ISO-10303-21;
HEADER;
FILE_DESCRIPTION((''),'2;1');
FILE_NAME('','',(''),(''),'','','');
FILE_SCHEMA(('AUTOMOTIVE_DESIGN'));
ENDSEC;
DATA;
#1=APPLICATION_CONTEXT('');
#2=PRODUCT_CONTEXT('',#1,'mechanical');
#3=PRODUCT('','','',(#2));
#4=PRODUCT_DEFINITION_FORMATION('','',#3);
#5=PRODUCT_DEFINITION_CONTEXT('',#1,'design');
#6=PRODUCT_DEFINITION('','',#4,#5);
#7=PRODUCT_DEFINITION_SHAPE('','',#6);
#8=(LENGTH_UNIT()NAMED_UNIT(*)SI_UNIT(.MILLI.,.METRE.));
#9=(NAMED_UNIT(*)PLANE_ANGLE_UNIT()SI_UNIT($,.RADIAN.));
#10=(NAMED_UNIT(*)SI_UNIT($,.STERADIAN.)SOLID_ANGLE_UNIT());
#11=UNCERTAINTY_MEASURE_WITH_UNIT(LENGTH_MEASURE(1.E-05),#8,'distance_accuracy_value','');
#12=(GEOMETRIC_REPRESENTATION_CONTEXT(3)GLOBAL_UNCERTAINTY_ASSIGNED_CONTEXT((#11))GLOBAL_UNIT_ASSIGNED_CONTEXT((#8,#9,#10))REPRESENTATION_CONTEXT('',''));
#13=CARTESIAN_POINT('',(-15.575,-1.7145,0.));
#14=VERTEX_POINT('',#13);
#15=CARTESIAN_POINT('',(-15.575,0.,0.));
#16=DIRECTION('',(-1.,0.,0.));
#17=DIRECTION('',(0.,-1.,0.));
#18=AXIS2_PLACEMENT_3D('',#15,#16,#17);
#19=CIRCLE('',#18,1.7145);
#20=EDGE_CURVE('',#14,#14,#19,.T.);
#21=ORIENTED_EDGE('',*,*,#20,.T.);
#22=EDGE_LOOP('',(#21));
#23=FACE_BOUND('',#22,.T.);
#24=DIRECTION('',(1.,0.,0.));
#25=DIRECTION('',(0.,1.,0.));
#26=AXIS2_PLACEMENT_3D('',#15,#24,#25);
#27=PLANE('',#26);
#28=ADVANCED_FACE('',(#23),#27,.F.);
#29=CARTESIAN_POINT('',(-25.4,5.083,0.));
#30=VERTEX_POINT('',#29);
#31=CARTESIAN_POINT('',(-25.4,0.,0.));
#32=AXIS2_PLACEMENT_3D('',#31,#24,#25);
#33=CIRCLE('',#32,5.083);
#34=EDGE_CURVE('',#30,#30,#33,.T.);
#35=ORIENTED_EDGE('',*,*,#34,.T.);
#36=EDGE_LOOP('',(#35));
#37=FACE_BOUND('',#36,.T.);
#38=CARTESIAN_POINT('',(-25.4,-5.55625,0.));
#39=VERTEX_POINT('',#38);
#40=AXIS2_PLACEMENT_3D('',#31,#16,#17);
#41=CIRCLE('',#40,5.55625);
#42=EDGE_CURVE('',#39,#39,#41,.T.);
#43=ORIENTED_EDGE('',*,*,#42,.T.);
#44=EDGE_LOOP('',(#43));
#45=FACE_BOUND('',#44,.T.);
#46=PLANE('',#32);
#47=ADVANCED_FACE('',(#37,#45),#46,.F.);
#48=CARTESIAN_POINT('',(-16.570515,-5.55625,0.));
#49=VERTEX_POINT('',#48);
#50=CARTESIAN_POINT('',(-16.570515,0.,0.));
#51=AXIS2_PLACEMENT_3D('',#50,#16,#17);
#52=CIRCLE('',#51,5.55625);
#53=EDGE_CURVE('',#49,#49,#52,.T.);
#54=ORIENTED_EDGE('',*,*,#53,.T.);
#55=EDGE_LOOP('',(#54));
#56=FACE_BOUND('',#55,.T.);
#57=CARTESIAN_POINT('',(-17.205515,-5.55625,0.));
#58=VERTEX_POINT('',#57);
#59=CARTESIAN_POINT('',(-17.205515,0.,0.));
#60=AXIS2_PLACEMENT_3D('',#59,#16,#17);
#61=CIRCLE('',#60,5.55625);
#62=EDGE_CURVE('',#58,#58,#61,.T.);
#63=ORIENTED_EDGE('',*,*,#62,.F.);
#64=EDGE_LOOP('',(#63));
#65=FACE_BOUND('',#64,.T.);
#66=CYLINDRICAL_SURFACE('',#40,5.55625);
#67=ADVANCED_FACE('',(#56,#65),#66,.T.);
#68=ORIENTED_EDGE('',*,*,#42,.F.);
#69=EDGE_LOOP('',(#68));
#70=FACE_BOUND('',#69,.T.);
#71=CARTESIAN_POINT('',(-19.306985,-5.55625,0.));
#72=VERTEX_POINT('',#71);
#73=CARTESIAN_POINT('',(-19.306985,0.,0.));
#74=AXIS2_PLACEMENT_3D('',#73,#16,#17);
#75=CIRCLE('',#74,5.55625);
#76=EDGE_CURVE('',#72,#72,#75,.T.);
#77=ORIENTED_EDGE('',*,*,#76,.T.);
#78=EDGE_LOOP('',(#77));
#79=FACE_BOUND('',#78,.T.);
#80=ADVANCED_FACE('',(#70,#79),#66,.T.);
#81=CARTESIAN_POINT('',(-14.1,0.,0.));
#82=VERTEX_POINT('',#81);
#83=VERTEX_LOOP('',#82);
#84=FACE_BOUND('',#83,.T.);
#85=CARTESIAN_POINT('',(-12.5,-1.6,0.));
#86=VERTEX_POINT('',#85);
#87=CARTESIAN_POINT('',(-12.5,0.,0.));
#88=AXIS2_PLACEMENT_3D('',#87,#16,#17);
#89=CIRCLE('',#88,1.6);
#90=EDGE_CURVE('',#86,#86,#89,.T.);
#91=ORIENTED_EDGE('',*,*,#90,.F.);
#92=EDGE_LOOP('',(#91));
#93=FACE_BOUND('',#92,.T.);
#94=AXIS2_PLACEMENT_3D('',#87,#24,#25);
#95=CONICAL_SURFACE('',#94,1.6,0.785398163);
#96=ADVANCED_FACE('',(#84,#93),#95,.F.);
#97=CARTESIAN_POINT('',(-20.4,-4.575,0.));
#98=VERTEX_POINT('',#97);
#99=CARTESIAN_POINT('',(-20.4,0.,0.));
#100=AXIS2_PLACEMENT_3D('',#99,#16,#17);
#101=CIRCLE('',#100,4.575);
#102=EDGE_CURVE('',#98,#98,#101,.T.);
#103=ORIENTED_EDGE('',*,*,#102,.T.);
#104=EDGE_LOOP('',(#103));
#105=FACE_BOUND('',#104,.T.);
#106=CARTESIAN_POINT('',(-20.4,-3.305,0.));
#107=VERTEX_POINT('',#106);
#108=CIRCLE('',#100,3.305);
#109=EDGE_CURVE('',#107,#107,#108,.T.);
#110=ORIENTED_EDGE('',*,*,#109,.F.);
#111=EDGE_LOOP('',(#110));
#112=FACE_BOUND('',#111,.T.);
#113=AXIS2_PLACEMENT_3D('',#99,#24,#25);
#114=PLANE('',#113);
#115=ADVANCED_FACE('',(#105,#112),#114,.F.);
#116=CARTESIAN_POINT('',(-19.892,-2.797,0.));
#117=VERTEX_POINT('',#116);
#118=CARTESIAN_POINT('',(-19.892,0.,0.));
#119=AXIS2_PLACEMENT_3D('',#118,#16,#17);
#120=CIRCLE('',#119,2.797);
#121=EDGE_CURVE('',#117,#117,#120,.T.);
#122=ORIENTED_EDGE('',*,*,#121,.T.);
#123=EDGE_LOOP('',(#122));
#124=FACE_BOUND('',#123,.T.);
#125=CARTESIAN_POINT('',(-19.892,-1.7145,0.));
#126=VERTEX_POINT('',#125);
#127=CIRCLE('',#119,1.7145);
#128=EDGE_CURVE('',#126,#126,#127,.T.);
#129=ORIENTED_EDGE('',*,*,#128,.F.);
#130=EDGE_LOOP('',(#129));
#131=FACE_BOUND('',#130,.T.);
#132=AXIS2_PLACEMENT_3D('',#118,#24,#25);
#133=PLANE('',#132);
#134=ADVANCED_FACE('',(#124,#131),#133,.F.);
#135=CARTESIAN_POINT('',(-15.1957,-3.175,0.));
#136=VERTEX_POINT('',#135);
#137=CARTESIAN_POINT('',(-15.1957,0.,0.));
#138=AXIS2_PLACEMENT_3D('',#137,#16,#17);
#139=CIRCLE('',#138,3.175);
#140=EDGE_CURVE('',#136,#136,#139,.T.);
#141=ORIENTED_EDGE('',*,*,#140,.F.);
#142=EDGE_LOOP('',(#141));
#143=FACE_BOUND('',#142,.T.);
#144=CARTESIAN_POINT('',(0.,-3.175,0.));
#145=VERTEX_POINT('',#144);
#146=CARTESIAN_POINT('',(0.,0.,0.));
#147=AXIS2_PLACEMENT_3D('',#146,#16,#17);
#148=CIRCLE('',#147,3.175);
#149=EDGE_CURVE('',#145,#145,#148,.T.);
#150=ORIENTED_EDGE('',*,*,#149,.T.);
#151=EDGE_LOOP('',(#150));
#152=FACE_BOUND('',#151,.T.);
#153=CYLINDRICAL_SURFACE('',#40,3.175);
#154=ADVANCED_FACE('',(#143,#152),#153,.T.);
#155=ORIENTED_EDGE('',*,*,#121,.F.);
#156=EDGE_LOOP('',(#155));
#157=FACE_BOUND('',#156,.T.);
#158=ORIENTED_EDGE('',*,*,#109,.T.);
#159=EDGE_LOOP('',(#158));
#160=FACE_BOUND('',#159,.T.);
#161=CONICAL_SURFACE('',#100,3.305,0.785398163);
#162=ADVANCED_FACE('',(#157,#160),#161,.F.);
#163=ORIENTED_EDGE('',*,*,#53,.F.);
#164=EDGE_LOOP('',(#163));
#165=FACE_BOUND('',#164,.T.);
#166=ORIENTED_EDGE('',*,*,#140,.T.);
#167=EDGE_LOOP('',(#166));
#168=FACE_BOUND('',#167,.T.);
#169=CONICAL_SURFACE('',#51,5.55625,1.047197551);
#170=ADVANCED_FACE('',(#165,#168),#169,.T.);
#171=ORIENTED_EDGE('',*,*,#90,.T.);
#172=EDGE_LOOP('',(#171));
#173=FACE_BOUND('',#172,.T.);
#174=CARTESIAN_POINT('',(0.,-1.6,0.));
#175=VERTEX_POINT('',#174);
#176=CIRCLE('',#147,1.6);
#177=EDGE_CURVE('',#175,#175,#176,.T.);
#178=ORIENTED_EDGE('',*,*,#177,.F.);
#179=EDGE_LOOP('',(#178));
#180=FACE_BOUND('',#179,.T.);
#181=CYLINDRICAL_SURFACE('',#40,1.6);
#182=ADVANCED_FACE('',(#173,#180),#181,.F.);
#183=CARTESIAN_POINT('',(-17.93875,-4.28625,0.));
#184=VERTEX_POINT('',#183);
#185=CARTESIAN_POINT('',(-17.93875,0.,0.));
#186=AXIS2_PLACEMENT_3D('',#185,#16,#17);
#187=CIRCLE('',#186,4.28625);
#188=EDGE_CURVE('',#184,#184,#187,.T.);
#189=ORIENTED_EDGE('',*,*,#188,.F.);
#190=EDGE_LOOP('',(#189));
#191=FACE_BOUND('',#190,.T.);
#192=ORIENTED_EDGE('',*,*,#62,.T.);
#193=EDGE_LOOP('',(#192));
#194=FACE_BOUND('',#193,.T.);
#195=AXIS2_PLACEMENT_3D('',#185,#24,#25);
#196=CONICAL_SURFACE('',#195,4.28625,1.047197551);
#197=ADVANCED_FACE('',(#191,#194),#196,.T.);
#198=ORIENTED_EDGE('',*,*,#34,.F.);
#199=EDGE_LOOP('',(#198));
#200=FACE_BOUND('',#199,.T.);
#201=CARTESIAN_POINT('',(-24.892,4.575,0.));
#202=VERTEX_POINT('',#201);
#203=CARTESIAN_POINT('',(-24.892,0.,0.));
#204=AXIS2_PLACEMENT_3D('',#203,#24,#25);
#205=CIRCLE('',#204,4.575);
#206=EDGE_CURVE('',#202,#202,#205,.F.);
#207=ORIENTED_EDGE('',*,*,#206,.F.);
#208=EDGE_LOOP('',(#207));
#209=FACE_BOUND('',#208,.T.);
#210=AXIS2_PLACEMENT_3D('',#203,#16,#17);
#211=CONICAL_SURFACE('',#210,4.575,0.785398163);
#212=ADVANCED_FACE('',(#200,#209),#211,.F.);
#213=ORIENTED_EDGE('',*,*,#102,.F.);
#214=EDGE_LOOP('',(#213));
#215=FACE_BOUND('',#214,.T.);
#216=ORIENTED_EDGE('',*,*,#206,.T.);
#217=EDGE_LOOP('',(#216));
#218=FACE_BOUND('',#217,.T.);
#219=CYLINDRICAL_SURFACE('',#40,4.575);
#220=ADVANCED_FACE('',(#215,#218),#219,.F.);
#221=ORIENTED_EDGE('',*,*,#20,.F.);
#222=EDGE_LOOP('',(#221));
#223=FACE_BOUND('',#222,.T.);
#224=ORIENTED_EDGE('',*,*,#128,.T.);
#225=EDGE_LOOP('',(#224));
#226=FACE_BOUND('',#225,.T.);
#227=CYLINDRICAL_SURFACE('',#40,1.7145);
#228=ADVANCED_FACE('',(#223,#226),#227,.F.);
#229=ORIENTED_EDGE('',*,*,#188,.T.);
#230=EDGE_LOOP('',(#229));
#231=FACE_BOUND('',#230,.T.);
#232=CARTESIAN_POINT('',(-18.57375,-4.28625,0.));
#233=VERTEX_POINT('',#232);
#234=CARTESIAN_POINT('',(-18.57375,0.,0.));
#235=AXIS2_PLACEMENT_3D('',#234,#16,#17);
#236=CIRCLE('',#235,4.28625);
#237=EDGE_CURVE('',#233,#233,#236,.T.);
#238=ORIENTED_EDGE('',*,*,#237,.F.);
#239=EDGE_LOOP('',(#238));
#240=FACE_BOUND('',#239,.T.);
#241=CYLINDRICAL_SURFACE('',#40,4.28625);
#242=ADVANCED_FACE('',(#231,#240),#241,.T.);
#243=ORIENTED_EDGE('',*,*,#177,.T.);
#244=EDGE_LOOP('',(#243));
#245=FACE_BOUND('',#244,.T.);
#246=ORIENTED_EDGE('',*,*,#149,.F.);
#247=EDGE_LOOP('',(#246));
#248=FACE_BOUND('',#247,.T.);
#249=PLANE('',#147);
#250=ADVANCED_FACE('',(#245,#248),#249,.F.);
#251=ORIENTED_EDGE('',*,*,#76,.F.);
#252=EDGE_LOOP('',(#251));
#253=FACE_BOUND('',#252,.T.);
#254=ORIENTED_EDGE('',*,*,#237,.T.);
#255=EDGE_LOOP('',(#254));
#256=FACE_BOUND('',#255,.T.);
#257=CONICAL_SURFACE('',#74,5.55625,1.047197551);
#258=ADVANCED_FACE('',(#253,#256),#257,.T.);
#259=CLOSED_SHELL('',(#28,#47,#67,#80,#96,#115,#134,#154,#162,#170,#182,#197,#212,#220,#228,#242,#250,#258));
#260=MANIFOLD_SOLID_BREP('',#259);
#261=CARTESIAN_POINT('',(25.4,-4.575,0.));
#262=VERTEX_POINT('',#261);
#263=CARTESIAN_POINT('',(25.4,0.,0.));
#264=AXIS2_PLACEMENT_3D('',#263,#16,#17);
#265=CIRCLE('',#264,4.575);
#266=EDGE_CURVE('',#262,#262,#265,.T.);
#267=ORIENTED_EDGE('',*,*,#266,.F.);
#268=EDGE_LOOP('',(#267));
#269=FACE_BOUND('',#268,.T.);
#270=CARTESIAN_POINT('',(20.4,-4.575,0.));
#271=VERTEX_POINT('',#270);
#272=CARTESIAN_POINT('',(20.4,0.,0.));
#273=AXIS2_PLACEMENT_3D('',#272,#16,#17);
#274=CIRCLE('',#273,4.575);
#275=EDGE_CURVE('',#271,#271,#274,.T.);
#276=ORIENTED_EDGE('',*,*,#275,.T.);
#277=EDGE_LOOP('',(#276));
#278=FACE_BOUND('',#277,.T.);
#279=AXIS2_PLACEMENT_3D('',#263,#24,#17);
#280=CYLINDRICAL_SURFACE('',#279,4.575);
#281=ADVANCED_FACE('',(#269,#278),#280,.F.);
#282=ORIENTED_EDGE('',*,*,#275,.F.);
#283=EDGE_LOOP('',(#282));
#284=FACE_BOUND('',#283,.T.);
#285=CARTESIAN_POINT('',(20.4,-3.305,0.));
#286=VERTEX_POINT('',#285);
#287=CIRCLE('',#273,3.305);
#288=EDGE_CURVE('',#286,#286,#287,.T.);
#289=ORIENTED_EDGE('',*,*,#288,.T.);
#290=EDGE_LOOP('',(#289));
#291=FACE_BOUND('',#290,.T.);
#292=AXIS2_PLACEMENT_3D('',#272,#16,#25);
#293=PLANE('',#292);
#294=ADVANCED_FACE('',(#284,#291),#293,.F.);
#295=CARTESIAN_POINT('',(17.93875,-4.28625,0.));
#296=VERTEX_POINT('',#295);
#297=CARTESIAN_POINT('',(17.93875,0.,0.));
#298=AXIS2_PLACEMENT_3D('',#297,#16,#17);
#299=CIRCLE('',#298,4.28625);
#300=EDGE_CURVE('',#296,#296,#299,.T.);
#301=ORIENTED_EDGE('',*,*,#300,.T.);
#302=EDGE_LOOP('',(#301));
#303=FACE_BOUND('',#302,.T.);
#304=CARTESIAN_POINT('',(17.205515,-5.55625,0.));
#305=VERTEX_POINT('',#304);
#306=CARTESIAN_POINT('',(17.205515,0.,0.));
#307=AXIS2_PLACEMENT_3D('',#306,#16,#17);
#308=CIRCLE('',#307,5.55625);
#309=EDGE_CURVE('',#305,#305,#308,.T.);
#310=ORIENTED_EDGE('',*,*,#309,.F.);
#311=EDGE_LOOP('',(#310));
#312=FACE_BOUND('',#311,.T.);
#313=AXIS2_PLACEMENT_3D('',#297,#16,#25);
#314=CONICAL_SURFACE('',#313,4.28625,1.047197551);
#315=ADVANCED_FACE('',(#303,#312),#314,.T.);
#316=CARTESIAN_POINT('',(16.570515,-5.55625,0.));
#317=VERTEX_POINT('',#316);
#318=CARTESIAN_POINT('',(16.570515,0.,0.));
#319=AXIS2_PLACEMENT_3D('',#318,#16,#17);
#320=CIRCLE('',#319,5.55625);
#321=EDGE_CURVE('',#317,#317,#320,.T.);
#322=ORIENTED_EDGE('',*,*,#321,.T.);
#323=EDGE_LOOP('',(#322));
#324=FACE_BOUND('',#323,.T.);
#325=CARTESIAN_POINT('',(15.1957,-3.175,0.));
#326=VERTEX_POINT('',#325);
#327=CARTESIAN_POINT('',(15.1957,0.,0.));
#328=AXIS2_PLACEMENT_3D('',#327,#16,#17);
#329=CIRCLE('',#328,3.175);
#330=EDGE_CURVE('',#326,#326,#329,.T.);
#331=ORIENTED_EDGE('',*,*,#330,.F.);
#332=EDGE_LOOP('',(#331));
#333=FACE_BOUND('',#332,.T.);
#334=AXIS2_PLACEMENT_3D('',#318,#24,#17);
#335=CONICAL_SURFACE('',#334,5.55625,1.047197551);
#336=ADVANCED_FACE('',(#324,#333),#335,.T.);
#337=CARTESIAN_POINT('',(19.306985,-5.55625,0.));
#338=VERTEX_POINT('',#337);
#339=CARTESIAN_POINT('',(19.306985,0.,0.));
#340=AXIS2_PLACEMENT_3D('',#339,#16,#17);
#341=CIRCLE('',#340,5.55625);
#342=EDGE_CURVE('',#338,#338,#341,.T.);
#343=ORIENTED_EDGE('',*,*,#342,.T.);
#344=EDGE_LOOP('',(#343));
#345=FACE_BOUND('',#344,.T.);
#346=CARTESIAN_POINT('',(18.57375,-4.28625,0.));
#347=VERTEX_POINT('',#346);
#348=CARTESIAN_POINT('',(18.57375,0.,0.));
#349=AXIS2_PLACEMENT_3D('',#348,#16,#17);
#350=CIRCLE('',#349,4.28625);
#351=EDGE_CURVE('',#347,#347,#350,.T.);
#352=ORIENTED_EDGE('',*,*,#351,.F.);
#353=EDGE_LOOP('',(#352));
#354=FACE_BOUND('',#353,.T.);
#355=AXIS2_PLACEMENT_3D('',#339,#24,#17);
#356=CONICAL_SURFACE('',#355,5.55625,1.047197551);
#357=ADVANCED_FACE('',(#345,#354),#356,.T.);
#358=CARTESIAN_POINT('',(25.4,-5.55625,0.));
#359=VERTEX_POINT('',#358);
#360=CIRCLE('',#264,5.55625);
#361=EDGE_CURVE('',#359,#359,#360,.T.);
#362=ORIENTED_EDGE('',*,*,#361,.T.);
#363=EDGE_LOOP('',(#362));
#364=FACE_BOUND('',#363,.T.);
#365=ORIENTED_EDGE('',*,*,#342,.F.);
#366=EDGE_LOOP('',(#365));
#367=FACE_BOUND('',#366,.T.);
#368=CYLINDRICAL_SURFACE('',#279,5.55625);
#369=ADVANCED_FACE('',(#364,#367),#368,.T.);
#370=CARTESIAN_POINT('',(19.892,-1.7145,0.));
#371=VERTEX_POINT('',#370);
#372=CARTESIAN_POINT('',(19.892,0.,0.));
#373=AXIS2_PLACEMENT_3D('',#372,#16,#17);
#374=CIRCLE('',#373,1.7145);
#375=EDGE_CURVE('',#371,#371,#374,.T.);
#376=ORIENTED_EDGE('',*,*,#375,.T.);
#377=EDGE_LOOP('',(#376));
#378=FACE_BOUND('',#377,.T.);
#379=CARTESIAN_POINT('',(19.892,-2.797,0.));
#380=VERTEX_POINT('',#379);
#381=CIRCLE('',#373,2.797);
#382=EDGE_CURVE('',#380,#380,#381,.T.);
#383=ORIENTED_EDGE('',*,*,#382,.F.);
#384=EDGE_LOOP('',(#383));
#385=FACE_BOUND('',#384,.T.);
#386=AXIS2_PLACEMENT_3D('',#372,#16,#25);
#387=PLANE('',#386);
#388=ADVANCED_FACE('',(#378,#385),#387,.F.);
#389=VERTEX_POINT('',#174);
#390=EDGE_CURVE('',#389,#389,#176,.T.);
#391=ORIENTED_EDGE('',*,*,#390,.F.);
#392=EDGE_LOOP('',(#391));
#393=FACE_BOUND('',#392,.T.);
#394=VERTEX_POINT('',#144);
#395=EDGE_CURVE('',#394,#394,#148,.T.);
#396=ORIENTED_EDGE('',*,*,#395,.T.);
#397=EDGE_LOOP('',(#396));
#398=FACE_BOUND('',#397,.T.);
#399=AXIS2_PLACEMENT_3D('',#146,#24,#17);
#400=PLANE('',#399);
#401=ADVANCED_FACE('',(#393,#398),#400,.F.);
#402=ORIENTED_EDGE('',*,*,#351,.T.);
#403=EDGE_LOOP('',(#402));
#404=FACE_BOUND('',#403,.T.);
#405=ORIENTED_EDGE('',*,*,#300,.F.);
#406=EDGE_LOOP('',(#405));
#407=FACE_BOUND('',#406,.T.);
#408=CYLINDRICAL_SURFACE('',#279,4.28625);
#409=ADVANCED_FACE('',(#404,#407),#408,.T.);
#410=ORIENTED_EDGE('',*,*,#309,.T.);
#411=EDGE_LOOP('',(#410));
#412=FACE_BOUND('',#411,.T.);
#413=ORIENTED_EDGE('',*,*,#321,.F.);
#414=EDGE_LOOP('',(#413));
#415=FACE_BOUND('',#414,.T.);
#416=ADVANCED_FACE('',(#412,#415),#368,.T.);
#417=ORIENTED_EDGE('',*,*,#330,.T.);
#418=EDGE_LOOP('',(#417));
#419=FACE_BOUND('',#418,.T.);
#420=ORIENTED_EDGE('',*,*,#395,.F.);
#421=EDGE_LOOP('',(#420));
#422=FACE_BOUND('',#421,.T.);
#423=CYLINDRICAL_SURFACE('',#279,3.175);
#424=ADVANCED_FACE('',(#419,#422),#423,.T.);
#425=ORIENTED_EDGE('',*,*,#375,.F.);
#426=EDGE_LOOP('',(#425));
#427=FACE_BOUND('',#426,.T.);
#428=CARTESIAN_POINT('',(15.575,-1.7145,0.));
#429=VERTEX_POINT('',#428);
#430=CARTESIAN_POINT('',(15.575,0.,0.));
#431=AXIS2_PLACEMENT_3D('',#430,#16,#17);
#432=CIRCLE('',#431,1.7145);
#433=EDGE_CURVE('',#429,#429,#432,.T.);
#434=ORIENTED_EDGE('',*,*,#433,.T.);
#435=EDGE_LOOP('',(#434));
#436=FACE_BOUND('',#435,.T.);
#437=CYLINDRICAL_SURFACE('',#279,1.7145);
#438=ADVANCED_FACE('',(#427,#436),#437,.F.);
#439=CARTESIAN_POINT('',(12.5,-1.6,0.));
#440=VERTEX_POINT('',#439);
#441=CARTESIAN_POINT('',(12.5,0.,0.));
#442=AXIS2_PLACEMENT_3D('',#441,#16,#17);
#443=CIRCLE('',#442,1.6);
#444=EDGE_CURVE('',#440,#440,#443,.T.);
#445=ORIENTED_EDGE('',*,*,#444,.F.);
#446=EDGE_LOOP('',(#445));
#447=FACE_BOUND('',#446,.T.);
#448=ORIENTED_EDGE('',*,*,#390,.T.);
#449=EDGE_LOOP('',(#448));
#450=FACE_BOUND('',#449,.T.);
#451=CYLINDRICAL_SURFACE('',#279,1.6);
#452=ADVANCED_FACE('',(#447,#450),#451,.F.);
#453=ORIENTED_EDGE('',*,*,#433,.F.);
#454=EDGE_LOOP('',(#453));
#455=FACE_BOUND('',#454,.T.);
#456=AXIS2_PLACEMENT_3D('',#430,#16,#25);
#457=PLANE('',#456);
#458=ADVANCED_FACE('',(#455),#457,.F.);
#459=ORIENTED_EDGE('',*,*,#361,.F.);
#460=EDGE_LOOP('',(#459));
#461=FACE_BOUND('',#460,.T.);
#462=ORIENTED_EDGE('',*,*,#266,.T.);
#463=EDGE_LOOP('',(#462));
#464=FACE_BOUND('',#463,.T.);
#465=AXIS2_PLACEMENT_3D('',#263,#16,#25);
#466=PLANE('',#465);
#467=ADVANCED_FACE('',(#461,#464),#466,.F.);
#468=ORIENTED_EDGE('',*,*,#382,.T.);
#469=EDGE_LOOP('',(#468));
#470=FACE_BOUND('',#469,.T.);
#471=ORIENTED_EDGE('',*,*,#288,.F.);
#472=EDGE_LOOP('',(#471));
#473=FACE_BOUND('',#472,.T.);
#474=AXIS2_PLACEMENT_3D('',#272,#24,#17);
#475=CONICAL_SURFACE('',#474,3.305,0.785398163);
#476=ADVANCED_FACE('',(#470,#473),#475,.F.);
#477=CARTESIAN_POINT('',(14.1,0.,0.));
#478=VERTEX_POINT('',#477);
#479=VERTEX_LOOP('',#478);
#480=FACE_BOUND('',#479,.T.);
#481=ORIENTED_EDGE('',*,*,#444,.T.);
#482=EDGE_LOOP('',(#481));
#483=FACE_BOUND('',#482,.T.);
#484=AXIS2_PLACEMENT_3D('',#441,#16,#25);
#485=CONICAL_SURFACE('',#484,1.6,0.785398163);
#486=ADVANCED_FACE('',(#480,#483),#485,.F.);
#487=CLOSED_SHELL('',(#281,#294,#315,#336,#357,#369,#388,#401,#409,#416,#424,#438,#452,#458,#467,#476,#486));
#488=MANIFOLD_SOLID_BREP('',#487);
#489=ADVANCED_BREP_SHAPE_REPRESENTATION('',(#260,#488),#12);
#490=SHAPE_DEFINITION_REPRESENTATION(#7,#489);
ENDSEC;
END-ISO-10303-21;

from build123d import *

# Parameters (mm, degrees)
CHAMFER1_SIZE = 0.508


with BuildPart() as part:
    # Sketch2 → Revolve1 (revolve)
    with BuildSketch(Plane.XY, mode=Mode.PRIVATE) as revolve1_sk:
        Polygon((-19.306984842, 5.55625), (-25.4, 5.55625), (-25.4, 4.575), (-20.4, 4.575), (-20.4, 3.305), (-19.892, 2.797), (-19.892, 1.7145), (-15.575, 1.7145), (-15.575, 0), (-14.1, 0), (-12.5, 1.6), (0, 1.6), (0, 3.175), (-15.19569983, 3.175), (-16.570515158, 5.55625), (-17.205515158, 5.55625), (-17.93875, 4.28625), (-18.57375, 4.28625), align=None)
    revolve(revolve1_sk.sketch.rotate(Axis((-25.4, 0, 0), (1, 0, 0)), 180), axis=Axis((-25.4, 0, 0), (1, 0, 0)))


with BuildPart() as body_2:
    # Mirror1: mirrored copy
    add(part.part.mirror(Plane(origin=(0, 0, 0), x_dir=(0, 0, 1), z_dir=(1, 0, 0))))


with BuildPart() as part_1:
    add(part.part)

    # Chamfer1
    chamfer1_edges = [part_1.edges().sort_by_distance(p)[0] for p in [
        (-25.4, 4.575, 0),
    ]]
    chamfer(chamfer1_edges, length=CHAMFER1_SIZE)


solid = Compound([body_2.part, part_1.part])
